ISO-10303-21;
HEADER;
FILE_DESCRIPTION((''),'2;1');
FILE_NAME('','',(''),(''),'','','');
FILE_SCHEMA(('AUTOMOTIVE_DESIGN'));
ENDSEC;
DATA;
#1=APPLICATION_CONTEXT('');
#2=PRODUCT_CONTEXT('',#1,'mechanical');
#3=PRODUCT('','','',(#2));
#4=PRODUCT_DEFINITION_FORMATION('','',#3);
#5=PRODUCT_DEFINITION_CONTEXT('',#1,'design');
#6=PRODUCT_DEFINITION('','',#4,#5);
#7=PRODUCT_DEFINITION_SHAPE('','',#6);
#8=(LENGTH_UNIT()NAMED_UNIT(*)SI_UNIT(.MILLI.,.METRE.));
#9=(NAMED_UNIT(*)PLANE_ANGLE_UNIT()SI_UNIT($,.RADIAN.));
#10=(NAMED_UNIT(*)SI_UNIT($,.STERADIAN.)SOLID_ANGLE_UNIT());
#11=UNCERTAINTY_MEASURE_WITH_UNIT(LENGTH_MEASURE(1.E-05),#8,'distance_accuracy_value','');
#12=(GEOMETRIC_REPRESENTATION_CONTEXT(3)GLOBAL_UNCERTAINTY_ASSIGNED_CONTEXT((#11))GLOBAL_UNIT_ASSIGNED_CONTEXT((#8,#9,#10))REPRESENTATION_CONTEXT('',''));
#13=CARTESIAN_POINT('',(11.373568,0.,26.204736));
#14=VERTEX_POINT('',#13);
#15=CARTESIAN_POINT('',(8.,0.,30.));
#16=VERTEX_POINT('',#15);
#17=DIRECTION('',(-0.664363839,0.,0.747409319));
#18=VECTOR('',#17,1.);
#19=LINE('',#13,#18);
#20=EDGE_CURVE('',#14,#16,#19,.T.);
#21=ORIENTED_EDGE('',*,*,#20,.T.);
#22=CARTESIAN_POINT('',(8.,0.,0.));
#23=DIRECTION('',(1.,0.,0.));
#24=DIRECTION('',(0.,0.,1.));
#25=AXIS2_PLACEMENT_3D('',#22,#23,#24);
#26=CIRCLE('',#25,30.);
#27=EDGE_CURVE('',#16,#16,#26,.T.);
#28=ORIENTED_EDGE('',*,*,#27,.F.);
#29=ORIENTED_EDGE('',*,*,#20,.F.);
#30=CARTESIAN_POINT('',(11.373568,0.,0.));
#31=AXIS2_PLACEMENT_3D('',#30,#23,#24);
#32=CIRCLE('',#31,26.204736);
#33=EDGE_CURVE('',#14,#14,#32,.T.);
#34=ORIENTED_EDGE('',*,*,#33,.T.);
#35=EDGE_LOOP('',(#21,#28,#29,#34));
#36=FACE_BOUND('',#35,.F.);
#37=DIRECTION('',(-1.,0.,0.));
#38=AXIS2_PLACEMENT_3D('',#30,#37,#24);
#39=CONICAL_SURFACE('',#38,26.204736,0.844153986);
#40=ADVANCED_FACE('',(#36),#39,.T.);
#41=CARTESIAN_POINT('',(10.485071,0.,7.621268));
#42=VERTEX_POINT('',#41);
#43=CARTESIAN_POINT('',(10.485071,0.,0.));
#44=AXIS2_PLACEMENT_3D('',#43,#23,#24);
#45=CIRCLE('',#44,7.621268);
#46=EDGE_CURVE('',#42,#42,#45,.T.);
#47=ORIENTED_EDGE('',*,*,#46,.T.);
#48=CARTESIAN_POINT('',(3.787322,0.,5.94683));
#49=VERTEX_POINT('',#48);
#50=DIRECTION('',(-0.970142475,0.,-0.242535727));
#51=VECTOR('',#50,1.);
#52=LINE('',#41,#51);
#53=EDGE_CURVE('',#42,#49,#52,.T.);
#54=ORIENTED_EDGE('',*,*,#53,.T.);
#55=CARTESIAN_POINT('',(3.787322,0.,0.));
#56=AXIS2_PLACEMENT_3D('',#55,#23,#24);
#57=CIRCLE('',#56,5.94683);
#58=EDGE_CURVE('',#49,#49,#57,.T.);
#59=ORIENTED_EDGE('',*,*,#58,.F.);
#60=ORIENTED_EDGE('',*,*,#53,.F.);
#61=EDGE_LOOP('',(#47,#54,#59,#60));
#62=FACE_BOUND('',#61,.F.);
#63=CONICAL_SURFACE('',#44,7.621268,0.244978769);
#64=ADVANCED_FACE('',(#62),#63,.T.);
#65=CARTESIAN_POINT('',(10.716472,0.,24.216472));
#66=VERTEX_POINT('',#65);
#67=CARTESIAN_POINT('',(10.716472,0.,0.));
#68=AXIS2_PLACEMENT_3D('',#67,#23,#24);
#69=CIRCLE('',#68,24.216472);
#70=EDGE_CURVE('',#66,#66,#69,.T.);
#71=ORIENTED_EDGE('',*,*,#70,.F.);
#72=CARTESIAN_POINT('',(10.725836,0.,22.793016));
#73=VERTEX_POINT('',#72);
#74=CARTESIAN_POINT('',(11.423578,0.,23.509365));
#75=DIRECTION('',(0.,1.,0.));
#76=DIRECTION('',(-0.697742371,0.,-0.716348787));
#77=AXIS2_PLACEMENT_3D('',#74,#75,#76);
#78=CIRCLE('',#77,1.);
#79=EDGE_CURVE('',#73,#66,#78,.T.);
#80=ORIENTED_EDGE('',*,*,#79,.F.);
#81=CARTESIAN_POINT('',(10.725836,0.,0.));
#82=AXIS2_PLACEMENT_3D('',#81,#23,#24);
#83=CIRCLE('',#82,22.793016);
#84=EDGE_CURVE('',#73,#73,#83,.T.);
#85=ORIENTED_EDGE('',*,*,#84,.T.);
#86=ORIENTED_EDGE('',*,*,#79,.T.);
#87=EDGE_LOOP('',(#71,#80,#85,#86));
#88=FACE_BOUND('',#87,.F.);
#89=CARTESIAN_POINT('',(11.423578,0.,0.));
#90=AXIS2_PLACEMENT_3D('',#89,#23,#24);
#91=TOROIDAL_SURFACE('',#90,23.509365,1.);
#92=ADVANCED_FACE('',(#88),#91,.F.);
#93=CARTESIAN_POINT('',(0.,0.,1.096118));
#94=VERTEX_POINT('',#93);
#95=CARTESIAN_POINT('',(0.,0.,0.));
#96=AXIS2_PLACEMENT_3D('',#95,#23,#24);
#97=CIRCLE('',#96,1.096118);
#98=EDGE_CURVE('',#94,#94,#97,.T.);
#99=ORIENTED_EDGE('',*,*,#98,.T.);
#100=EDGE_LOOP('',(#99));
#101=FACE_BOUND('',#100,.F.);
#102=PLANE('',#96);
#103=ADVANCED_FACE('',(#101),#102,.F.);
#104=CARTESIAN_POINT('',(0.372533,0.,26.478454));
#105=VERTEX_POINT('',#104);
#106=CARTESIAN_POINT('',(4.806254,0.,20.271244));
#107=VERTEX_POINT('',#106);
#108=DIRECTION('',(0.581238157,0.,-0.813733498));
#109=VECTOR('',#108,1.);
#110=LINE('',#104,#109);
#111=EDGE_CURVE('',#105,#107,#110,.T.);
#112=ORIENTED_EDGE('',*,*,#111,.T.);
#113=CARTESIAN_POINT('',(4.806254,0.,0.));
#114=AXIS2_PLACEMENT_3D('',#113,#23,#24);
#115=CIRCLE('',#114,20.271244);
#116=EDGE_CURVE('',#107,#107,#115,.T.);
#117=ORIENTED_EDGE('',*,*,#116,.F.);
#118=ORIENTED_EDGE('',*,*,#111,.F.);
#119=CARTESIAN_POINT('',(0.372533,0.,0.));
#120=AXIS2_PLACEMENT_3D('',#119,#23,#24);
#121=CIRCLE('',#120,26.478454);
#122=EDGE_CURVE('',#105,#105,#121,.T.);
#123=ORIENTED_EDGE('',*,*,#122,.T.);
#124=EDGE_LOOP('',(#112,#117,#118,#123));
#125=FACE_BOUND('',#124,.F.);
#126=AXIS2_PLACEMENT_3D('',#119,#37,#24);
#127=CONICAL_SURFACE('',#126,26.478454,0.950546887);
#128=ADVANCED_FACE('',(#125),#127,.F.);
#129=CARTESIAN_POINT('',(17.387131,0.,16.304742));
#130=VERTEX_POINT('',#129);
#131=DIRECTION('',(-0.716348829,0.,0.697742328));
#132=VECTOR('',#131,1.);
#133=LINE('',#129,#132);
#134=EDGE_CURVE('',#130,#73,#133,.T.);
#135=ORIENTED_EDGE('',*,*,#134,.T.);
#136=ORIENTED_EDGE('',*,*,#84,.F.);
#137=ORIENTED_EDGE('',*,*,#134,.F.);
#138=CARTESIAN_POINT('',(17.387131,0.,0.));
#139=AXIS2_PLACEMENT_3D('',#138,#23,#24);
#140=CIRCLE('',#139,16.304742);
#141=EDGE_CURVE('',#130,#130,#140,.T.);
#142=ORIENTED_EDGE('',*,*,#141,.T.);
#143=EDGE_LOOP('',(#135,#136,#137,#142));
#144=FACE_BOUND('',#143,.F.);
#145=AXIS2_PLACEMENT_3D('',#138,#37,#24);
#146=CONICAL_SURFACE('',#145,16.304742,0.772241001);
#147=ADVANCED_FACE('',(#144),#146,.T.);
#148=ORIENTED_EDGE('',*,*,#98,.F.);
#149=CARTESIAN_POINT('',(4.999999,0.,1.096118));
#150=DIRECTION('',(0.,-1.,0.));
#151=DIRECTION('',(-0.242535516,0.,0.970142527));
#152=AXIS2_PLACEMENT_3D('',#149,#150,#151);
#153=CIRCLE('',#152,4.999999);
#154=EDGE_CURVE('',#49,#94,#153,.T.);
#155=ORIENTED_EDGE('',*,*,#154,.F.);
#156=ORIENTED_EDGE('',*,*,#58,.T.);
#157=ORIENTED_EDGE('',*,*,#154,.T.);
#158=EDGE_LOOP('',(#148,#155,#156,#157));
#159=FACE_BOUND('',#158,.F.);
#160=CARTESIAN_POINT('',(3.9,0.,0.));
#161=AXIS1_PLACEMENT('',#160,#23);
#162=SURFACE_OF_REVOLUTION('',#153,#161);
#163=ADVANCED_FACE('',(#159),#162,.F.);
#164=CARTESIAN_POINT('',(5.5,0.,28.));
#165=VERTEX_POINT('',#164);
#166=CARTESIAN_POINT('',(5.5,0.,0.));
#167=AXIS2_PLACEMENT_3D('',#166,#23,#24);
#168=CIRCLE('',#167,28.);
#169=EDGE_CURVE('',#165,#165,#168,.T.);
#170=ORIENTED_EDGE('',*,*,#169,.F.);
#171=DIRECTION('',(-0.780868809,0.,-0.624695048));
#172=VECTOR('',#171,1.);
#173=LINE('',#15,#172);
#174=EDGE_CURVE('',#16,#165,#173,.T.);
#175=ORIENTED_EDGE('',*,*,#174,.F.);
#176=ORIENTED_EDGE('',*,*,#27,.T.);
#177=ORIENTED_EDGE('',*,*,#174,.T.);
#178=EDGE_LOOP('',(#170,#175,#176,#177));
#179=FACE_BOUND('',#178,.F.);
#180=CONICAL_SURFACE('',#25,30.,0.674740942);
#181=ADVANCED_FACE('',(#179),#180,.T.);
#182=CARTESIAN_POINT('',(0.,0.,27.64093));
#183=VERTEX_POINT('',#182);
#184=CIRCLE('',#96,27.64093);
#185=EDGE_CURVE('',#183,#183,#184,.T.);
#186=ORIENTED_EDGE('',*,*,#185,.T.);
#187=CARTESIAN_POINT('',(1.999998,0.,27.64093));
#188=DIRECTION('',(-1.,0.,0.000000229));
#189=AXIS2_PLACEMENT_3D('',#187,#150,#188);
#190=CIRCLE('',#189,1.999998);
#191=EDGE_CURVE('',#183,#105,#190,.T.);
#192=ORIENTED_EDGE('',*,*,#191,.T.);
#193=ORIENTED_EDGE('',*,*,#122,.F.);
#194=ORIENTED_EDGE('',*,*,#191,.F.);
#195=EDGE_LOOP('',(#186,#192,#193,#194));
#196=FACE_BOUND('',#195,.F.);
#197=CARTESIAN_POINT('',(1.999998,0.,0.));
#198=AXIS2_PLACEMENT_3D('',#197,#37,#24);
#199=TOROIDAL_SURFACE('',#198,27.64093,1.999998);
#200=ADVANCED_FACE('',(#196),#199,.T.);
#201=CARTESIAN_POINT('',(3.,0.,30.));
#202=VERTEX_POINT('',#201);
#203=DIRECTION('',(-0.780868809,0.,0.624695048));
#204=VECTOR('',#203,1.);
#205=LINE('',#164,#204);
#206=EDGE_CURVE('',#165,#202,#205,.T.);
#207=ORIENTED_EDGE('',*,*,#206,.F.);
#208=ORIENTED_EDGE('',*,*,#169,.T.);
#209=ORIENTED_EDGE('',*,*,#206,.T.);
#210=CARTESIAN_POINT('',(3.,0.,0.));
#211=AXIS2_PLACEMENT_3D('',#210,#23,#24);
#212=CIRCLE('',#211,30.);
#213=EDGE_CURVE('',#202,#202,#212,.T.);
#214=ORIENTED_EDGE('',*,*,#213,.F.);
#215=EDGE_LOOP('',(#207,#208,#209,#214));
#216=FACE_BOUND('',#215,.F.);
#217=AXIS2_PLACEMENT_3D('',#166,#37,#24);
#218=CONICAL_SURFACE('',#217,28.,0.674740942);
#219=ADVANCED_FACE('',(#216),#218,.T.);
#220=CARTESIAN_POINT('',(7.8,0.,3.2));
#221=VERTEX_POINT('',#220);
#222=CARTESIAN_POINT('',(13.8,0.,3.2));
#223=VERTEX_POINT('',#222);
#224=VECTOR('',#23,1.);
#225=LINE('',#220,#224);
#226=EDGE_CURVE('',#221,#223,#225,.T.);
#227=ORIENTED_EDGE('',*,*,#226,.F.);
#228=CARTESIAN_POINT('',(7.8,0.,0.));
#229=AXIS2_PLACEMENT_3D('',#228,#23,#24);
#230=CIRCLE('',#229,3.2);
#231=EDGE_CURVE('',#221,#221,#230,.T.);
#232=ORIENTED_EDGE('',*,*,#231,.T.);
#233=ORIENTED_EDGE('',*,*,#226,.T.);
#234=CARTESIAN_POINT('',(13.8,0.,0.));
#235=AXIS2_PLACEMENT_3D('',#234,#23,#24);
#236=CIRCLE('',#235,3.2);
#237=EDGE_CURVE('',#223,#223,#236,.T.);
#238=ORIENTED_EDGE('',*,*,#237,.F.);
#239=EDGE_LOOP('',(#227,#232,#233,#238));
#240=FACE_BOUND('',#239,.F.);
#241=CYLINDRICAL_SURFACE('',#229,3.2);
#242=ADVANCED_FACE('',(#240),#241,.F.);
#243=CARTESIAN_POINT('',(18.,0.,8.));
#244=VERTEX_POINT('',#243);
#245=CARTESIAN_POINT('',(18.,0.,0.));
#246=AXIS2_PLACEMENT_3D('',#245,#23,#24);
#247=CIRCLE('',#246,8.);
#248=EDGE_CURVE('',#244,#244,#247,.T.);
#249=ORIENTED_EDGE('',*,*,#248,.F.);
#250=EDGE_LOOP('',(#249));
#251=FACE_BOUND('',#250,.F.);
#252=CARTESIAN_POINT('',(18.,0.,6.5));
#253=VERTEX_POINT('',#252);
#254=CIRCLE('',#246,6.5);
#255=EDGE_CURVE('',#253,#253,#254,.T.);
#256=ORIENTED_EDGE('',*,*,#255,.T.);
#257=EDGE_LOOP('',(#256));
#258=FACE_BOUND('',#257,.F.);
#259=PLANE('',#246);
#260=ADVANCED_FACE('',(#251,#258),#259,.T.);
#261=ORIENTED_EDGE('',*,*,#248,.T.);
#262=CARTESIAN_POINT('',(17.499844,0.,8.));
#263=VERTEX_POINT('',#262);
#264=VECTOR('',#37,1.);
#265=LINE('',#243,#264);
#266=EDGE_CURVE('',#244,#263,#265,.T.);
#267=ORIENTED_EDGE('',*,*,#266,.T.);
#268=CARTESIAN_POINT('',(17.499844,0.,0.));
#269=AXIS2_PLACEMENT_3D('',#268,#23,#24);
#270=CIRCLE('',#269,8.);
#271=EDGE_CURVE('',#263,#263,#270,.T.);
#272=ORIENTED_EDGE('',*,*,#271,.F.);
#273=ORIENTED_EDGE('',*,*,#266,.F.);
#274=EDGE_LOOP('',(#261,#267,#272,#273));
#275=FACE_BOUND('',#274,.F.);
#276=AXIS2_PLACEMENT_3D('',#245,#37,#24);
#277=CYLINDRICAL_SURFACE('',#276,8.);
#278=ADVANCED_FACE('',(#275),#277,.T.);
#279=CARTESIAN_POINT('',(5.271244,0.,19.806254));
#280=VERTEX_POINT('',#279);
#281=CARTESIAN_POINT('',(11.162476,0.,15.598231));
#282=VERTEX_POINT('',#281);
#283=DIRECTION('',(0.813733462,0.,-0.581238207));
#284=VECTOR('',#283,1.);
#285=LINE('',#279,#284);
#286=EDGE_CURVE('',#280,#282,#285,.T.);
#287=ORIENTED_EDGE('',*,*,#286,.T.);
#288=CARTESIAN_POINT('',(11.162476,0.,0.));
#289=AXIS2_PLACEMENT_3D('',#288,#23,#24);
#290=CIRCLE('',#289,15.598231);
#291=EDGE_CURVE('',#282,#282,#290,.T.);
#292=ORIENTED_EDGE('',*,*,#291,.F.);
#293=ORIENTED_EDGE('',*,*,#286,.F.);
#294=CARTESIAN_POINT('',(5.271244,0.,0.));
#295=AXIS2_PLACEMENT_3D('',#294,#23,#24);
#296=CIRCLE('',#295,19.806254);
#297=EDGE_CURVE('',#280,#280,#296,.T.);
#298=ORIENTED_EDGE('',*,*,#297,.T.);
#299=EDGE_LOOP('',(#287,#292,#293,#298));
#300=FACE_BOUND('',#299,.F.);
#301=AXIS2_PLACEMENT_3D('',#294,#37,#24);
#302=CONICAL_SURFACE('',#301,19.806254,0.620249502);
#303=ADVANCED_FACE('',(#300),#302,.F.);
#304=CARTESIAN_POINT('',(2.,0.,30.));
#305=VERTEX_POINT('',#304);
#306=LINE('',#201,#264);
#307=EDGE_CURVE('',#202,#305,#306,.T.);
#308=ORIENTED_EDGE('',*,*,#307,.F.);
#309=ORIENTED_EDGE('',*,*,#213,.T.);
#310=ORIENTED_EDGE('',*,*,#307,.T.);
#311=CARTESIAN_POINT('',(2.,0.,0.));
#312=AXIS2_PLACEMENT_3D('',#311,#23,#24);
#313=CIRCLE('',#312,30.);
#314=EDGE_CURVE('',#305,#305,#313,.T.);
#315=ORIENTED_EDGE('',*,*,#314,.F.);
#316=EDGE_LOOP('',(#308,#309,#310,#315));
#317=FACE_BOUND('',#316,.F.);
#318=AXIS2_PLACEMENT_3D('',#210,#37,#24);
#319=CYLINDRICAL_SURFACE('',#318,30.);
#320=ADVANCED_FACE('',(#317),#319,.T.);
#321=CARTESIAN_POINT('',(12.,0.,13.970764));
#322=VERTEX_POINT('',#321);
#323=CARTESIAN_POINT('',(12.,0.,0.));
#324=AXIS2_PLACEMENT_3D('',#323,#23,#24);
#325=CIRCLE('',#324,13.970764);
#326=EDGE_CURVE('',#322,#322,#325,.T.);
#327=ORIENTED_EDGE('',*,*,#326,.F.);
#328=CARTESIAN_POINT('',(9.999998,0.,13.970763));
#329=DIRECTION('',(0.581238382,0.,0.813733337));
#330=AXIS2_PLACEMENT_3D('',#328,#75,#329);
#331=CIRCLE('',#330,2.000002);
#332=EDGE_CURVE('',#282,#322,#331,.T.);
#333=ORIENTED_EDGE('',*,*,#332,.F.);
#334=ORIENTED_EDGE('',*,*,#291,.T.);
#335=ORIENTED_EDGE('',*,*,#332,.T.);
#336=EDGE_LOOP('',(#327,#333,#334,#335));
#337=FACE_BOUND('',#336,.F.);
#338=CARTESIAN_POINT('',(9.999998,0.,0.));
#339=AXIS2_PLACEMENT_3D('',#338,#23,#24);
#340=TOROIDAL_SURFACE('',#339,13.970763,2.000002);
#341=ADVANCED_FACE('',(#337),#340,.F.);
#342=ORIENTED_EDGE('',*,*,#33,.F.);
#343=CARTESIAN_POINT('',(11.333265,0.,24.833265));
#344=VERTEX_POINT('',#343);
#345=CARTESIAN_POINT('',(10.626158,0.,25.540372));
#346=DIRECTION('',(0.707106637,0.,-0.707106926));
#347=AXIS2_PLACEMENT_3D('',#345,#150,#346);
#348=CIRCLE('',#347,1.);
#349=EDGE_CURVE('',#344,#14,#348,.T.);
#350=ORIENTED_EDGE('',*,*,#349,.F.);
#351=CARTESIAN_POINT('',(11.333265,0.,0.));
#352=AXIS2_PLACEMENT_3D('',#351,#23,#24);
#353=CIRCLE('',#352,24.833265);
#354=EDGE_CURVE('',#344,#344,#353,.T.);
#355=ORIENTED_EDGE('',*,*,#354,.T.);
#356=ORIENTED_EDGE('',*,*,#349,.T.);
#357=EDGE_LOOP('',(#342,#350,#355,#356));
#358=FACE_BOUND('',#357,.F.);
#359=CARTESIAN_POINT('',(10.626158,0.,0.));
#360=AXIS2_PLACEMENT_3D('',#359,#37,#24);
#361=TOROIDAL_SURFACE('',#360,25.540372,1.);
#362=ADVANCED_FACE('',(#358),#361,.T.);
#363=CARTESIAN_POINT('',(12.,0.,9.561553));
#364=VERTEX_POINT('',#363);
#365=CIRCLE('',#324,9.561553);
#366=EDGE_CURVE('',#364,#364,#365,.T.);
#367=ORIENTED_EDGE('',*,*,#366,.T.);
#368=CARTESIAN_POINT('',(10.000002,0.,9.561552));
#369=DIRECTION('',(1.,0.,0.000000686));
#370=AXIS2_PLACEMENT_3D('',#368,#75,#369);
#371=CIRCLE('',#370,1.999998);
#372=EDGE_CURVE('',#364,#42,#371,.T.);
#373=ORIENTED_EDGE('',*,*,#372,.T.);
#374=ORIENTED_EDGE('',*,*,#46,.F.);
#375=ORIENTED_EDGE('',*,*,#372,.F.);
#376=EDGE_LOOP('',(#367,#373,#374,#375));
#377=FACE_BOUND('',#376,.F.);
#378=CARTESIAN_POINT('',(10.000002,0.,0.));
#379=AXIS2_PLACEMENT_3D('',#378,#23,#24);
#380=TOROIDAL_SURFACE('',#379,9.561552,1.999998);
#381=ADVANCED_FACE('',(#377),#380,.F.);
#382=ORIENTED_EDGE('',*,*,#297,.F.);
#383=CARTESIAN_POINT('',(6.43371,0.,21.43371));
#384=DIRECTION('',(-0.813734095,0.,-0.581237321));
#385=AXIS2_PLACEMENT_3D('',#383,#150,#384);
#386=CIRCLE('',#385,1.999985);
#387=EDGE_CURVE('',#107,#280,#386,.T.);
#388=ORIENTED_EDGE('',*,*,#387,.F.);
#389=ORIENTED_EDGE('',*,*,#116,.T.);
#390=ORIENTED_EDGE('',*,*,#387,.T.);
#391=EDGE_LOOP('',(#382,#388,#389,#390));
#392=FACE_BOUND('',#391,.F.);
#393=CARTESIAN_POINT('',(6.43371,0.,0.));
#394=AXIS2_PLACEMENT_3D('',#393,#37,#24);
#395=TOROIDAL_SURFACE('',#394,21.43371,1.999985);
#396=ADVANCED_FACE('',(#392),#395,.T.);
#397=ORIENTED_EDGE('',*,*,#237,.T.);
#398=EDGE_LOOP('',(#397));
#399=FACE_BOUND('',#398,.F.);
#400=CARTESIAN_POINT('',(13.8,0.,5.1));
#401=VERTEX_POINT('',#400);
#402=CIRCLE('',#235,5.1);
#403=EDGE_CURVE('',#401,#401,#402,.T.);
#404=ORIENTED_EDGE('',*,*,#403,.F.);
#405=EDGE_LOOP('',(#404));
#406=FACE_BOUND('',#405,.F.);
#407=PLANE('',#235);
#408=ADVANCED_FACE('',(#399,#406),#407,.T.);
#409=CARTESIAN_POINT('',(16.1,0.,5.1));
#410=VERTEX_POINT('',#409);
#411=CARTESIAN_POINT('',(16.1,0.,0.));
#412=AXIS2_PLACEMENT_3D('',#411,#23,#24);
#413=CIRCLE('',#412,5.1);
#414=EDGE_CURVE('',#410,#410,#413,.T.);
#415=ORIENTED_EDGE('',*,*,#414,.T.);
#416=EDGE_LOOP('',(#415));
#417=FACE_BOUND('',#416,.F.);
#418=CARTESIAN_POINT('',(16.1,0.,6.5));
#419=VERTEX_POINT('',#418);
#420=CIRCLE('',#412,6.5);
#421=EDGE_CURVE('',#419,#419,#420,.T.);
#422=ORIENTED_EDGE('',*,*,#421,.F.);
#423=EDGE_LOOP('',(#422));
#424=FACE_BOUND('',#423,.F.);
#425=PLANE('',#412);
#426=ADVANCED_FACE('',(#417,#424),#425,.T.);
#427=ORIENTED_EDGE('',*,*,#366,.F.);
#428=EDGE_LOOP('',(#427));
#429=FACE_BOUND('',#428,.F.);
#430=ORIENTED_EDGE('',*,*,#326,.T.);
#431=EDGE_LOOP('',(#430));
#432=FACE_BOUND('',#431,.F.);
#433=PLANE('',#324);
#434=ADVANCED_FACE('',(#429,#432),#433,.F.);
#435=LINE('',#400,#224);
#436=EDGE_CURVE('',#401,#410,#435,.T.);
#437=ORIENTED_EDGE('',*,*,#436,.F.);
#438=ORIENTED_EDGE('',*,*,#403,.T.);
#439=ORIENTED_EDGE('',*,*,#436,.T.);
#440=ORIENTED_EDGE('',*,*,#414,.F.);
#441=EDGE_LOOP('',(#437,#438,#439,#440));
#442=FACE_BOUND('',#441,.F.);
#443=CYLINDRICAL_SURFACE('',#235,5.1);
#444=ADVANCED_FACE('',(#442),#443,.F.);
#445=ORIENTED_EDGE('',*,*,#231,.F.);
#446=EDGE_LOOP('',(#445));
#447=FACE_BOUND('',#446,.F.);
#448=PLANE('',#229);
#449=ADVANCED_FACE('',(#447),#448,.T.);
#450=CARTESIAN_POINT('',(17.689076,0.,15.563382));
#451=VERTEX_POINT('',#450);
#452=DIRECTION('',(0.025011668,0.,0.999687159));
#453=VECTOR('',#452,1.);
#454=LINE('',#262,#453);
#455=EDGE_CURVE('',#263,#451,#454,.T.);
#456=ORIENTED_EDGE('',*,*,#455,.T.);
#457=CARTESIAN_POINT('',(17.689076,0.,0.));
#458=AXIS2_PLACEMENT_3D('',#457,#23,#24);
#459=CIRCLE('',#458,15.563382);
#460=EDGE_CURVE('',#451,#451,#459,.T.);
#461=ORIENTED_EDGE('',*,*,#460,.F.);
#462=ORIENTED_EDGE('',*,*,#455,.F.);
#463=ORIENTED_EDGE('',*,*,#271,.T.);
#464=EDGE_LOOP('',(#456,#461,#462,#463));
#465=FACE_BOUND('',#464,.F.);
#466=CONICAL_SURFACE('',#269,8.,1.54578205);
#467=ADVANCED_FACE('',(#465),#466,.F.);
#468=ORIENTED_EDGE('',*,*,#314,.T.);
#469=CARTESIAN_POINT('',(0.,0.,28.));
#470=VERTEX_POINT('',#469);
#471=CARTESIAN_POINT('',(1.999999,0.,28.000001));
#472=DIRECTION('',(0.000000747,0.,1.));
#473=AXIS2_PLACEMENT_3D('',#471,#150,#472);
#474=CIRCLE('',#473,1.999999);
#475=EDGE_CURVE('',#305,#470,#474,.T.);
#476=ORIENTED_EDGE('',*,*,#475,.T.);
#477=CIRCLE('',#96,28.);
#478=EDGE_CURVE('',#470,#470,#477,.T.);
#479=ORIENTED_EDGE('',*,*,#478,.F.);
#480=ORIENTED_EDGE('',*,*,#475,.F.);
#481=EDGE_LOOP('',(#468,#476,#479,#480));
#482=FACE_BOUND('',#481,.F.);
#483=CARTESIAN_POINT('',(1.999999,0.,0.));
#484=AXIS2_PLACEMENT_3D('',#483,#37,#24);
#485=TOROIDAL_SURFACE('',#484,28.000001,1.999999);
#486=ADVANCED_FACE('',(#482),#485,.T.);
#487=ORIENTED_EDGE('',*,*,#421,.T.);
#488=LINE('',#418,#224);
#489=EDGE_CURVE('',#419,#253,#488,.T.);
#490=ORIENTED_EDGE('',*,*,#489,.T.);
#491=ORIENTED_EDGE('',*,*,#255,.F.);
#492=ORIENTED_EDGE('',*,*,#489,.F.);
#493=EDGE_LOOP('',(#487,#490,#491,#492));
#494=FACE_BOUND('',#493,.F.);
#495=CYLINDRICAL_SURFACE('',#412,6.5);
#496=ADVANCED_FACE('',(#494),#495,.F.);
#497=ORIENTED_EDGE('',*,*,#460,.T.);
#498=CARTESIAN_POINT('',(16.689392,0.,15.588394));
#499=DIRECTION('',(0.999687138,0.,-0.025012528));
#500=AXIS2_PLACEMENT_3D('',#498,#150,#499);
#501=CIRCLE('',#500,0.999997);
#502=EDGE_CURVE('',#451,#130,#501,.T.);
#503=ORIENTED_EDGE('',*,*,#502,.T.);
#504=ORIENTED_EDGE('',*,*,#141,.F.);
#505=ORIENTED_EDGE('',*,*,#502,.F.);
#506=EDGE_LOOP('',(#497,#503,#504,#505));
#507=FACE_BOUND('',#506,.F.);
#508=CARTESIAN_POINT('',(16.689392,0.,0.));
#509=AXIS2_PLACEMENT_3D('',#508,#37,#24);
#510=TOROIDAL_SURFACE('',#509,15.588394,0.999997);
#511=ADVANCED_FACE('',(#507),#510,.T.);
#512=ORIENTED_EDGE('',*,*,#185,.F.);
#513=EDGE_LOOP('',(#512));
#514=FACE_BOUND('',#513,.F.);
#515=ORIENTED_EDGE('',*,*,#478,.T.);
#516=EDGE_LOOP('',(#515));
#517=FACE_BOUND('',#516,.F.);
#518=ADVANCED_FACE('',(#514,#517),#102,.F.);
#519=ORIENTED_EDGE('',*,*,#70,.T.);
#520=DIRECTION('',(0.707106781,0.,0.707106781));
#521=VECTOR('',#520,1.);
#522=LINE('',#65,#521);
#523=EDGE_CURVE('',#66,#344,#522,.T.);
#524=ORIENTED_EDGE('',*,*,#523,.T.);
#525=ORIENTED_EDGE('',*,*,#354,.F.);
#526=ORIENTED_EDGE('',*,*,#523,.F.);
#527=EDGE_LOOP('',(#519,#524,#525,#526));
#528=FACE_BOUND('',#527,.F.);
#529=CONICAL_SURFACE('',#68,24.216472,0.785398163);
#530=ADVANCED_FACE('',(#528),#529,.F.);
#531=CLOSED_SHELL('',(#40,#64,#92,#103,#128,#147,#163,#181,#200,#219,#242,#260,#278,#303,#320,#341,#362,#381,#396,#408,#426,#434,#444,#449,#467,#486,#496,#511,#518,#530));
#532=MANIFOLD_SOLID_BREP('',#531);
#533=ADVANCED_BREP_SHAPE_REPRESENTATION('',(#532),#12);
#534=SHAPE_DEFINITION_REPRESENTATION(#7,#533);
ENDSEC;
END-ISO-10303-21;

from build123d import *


with BuildPart() as f1:
    # F0 (on Front) → F1 (revolve)
    with BuildSketch(Plane.XZ):
        with BuildLine():
            Line((0, 0), (7.8, 0))
            Line((7.8, 0), (7.8, 3.2))
            Line((7.8, 3.2), (13.8, 3.2))
            Line((13.8, 3.2), (13.8, 5.1))
            Line((13.8, 5.1), (16.1, 5.1))
            Line((16.1, 5.1), (16.1, 6.5))
            Line((16.1, 6.5), (18, 6.5))
            Line((18, 6.5), (18, 8))
            Line((18, 8), (17.499844, 8))
            Line((17.499844, 8), (17.689076, 15.563382))
            ThreePointArc((17.689076, 15.563382), (17.615521, 15.965593), (17.387131, 16.304742))
            Line((17.387131, 16.304742), (10.725836, 22.793016))
            ThreePointArc((10.725836, 22.793016), (10.4236, 23.502787), (10.716472, 24.216472))
            Line((10.716472, 24.216472), (11.333265, 24.833265))
            ThreePointArc((11.333265, 24.833265), (11.625727, 25.510999), (11.373568, 26.204736))
            Line((11.373568, 26.204736), (8, 30))
            Line((8, 30), (5.5, 28))
            Line((5.5, 28), (3, 30))
            Line((3, 30), (2, 30))
            ThreePointArc((2, 30), (0.585786, 29.414214), (0, 28))
            Line((0, 28), (0, 27.64093))
            ThreePointArc((0, 27.64093), (0.095409, 27.030575), (0.372533, 26.478454))
            Line((0.372533, 26.478454), (4.806254, 20.271244))
            ThreePointArc((4.806254, 20.271244), (5.019507, 20.019507), (5.271244, 19.806254))
            Line((5.271244, 19.806254), (11.162476, 15.598231))
            ThreePointArc((11.162476, 15.598231), (11.778335, 14.885927), (12, 13.970764))
            Line((12, 13.970764), (12, 9.561553))
            ThreePointArc((12, 9.561553), (11.576411, 8.330728), (10.485071, 7.621268))
            Line((10.485071, 7.621268), (3.787322, 5.94683))
            ThreePointArc((3.787322, 5.94683), (1.058973, 4.173179), (0, 1.096118))
            Line((0, 1.096118), (0, 0))
        make_face()
    revolve(axis=Axis((3.9, 0, 0), (1, 0, 0)))


solid = f1.part
